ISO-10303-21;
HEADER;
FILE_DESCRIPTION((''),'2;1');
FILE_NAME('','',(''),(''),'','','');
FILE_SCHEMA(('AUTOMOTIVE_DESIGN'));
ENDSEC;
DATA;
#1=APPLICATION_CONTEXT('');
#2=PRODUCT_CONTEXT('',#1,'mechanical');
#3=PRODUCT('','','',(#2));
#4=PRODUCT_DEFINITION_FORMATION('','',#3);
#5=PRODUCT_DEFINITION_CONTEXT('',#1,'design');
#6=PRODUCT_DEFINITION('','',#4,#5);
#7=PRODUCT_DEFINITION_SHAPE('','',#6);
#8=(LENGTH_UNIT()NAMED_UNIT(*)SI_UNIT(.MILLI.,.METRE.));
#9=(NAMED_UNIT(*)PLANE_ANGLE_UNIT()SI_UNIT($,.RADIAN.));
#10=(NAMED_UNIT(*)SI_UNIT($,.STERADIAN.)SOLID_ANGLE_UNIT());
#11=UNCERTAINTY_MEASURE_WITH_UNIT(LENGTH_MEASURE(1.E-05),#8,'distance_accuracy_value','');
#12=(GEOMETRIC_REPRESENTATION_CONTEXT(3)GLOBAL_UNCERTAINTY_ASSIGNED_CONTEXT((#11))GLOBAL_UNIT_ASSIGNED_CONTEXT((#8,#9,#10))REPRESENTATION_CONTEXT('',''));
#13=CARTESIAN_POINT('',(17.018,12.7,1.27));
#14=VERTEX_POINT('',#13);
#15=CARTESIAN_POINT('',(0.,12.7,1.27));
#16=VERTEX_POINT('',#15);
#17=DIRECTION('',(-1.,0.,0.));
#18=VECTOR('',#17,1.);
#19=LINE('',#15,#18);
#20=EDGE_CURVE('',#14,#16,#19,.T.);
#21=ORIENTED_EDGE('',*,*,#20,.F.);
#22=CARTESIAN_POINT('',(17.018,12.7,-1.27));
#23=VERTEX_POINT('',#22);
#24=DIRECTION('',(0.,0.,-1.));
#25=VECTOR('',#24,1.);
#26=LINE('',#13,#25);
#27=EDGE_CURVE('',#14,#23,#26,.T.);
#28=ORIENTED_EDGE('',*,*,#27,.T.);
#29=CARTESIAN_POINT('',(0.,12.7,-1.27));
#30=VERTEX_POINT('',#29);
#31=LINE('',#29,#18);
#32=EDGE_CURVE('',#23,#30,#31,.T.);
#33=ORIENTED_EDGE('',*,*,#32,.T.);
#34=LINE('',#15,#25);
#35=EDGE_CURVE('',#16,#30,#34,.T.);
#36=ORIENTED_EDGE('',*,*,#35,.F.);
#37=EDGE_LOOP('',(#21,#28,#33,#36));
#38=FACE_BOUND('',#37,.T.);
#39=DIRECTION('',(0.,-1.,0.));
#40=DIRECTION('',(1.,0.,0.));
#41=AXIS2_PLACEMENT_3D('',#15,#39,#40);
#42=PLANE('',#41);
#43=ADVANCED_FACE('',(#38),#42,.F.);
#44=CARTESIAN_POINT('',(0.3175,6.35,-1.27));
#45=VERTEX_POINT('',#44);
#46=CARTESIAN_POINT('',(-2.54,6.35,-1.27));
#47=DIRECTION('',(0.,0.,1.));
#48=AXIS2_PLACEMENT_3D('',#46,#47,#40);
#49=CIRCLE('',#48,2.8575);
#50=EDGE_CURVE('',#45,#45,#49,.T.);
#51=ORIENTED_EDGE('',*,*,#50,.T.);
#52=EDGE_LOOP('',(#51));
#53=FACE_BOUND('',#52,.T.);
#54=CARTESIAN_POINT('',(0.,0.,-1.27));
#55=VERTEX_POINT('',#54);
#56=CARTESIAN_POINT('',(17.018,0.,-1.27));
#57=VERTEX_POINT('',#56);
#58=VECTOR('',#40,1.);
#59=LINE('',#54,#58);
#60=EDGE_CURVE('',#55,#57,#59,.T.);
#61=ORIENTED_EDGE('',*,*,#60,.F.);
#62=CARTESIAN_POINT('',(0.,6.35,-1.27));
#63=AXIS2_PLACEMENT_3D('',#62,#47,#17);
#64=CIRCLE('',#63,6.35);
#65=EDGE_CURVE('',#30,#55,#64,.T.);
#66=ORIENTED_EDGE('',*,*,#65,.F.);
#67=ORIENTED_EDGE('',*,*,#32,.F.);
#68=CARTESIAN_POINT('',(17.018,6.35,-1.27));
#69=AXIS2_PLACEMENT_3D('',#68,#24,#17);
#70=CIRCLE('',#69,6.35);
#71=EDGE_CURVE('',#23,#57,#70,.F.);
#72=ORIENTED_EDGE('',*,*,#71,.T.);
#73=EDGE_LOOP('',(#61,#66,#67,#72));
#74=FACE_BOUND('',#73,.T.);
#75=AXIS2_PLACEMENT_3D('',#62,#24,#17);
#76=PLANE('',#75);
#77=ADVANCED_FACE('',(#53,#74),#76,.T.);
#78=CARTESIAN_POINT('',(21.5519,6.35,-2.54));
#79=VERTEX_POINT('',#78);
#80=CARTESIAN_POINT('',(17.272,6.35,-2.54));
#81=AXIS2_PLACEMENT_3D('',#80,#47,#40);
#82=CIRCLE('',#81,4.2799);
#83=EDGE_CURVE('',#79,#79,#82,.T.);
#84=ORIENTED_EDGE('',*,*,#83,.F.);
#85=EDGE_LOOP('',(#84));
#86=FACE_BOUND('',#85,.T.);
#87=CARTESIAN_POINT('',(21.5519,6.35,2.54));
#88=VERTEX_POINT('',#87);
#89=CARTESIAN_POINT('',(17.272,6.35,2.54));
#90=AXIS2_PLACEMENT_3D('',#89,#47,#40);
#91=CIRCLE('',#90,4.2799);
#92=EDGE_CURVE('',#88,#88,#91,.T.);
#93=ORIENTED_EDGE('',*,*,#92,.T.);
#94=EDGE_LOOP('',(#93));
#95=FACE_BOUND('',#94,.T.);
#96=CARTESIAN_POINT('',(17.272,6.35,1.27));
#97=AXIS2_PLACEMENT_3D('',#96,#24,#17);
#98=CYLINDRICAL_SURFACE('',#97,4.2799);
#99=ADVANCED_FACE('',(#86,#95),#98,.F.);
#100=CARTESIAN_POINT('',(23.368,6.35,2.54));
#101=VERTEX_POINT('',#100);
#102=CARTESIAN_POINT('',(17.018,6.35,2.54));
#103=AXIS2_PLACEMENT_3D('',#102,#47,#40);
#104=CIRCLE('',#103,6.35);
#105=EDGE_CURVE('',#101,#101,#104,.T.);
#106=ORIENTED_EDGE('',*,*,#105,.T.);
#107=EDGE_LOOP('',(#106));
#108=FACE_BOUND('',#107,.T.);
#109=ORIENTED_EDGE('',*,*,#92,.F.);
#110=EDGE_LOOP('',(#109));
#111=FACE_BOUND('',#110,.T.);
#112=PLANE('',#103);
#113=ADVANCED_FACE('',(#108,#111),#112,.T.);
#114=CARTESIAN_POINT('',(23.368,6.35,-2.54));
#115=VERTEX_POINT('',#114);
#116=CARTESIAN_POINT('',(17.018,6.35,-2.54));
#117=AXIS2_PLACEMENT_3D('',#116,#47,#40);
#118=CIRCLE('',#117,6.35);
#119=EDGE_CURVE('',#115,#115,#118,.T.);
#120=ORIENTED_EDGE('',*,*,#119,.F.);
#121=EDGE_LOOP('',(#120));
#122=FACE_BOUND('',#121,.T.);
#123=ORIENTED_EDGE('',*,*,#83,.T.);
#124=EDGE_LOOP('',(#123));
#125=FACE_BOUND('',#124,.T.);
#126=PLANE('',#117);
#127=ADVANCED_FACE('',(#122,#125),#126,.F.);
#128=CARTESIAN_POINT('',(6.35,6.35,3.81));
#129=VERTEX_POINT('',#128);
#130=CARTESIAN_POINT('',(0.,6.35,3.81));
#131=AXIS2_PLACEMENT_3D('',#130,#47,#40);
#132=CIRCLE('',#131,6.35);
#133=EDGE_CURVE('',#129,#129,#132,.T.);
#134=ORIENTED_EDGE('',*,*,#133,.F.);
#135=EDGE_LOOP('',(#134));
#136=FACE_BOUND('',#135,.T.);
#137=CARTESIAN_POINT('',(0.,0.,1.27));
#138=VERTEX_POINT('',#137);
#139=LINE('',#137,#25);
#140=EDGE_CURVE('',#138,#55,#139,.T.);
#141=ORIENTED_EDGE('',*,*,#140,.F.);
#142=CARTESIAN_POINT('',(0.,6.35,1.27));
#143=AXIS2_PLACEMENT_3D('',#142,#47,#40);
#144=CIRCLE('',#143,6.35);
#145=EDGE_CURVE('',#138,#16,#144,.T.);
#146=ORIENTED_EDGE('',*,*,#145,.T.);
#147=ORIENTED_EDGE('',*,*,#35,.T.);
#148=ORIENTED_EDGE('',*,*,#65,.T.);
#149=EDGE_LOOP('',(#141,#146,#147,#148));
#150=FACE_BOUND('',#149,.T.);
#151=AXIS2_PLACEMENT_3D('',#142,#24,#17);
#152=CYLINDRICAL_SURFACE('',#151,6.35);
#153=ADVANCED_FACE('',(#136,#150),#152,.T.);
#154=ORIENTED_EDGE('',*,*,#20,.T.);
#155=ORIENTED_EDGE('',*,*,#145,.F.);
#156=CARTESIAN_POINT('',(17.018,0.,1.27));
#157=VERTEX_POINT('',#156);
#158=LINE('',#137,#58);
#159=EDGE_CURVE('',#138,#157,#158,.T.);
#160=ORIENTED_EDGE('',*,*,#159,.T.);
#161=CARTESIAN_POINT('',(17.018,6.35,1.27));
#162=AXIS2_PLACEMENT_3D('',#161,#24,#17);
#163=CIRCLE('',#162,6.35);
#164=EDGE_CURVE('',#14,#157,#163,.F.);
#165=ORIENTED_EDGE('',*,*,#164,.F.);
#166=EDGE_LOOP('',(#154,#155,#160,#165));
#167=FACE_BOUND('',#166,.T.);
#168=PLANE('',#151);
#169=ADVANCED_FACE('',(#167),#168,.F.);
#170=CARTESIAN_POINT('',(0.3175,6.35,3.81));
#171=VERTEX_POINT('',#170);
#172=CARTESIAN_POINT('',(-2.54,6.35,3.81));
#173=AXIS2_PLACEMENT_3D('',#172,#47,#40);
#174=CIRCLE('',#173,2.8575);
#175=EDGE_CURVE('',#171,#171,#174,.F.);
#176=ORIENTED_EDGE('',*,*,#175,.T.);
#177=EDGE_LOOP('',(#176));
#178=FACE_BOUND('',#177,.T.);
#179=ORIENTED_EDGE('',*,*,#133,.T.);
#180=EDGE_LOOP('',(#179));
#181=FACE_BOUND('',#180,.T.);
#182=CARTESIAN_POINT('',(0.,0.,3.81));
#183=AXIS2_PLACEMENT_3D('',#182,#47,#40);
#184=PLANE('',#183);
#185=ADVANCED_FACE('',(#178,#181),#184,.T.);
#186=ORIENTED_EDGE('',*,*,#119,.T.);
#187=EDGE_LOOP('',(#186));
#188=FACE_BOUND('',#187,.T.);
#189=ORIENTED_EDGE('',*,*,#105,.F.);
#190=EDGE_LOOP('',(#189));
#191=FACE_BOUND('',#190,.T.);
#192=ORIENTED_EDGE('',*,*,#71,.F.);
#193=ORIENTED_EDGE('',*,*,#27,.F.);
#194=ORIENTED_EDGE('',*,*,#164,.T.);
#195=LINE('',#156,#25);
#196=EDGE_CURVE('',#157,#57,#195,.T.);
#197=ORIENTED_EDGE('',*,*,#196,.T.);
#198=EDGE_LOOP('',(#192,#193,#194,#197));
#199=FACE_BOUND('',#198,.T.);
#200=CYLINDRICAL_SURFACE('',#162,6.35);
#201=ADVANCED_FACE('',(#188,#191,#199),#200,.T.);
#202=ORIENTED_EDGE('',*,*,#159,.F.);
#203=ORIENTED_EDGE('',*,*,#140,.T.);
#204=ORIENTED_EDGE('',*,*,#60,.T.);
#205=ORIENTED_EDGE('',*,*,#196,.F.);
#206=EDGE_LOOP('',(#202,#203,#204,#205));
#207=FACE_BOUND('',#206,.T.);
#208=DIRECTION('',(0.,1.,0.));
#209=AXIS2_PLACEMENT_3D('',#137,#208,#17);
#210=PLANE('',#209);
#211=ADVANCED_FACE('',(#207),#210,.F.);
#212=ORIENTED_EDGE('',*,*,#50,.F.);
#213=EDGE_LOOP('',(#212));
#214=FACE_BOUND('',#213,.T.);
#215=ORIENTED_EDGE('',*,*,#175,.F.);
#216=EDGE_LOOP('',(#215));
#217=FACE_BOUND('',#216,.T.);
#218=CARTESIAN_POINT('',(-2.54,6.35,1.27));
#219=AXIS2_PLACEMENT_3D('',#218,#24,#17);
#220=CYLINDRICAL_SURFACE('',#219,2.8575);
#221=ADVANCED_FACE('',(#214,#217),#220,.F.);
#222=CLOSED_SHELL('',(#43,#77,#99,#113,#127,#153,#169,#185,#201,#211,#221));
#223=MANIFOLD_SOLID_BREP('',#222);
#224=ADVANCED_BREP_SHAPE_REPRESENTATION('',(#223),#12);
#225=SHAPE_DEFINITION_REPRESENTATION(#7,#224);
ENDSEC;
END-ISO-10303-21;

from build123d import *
from build123d.topology import SkipClean

# Parameters (mm, degrees)
SKETCH1_R           = 2.8575
SKETCH1_R_2         = 4.2799
BOSS_EXTRUDE1_DEPTH = 1.27
BOSS_EXTRUDE2_START = 2.54
SKETCH2_R           = 2.8575
BOSS_EXTRUDE2_DEPTH = 2.54
SKETCH4_R           = 6.35
SKETCH4_R_2         = 4.2799
BOSS_EXTRUDE4_DEPTH = 2.54


with BuildPart() as part:
    # Sketch1 → Boss-Extrude1 (new, symmetric)
    with BuildSketch(Plane.XY):
        with BuildLine():
            Line((0, 12.7), (17.018, 12.7))
            ThreePointArc((17.018, 12.7), (23.368, 6.35), (17.018, 0))
            Line((17.018, 0), (0, 0))
            ThreePointArc((0, 0), (-6.35, 6.35), (0, 12.7))
        make_face()
        with Locations((-2.54, 6.35)):
            Circle(SKETCH1_R, mode=Mode.SUBTRACT)
        with Locations((17.272, 6.35)):
            Circle(SKETCH1_R_2, mode=Mode.SUBTRACT)
    extrude(amount=BOSS_EXTRUDE1_DEPTH, both=True)

    # Sketch2 → Boss-Extrude2 (add)
    with SkipClean():  # the faces are left unmerged after this step: merging them gives an invalid solid
        with BuildSketch(Plane.XY.offset(1.27).offset(BOSS_EXTRUDE2_START)):
            with BuildLine():
                ThreePointArc((0, 0), (4.490128061, 1.859871939), (6.35, 6.35))
                ThreePointArc((6.35, 6.35), (4.490128061, 10.840128061), (0, 12.7))
                ThreePointArc((0, 12.7), (-6.35, 6.35), (0, 0))
            make_face()
            with Locations((-2.54, 6.35)):
                Circle(SKETCH2_R, mode=Mode.SUBTRACT)
        extrude(amount=-BOSS_EXTRUDE2_DEPTH)

    # Sketch4 → Boss-Extrude4 (add, symmetric)
    with SkipClean():  # the faces are left unmerged after this step: merging them gives an invalid solid
        with BuildSketch(Plane.XY):
            with Locations((17.018, 6.35)):
                Circle(SKETCH4_R)
            with Locations((17.272, 6.35)):
                Circle(SKETCH4_R_2, mode=Mode.SUBTRACT)
        extrude(amount=BOSS_EXTRUDE4_DEPTH, both=True)


solid = part.part
